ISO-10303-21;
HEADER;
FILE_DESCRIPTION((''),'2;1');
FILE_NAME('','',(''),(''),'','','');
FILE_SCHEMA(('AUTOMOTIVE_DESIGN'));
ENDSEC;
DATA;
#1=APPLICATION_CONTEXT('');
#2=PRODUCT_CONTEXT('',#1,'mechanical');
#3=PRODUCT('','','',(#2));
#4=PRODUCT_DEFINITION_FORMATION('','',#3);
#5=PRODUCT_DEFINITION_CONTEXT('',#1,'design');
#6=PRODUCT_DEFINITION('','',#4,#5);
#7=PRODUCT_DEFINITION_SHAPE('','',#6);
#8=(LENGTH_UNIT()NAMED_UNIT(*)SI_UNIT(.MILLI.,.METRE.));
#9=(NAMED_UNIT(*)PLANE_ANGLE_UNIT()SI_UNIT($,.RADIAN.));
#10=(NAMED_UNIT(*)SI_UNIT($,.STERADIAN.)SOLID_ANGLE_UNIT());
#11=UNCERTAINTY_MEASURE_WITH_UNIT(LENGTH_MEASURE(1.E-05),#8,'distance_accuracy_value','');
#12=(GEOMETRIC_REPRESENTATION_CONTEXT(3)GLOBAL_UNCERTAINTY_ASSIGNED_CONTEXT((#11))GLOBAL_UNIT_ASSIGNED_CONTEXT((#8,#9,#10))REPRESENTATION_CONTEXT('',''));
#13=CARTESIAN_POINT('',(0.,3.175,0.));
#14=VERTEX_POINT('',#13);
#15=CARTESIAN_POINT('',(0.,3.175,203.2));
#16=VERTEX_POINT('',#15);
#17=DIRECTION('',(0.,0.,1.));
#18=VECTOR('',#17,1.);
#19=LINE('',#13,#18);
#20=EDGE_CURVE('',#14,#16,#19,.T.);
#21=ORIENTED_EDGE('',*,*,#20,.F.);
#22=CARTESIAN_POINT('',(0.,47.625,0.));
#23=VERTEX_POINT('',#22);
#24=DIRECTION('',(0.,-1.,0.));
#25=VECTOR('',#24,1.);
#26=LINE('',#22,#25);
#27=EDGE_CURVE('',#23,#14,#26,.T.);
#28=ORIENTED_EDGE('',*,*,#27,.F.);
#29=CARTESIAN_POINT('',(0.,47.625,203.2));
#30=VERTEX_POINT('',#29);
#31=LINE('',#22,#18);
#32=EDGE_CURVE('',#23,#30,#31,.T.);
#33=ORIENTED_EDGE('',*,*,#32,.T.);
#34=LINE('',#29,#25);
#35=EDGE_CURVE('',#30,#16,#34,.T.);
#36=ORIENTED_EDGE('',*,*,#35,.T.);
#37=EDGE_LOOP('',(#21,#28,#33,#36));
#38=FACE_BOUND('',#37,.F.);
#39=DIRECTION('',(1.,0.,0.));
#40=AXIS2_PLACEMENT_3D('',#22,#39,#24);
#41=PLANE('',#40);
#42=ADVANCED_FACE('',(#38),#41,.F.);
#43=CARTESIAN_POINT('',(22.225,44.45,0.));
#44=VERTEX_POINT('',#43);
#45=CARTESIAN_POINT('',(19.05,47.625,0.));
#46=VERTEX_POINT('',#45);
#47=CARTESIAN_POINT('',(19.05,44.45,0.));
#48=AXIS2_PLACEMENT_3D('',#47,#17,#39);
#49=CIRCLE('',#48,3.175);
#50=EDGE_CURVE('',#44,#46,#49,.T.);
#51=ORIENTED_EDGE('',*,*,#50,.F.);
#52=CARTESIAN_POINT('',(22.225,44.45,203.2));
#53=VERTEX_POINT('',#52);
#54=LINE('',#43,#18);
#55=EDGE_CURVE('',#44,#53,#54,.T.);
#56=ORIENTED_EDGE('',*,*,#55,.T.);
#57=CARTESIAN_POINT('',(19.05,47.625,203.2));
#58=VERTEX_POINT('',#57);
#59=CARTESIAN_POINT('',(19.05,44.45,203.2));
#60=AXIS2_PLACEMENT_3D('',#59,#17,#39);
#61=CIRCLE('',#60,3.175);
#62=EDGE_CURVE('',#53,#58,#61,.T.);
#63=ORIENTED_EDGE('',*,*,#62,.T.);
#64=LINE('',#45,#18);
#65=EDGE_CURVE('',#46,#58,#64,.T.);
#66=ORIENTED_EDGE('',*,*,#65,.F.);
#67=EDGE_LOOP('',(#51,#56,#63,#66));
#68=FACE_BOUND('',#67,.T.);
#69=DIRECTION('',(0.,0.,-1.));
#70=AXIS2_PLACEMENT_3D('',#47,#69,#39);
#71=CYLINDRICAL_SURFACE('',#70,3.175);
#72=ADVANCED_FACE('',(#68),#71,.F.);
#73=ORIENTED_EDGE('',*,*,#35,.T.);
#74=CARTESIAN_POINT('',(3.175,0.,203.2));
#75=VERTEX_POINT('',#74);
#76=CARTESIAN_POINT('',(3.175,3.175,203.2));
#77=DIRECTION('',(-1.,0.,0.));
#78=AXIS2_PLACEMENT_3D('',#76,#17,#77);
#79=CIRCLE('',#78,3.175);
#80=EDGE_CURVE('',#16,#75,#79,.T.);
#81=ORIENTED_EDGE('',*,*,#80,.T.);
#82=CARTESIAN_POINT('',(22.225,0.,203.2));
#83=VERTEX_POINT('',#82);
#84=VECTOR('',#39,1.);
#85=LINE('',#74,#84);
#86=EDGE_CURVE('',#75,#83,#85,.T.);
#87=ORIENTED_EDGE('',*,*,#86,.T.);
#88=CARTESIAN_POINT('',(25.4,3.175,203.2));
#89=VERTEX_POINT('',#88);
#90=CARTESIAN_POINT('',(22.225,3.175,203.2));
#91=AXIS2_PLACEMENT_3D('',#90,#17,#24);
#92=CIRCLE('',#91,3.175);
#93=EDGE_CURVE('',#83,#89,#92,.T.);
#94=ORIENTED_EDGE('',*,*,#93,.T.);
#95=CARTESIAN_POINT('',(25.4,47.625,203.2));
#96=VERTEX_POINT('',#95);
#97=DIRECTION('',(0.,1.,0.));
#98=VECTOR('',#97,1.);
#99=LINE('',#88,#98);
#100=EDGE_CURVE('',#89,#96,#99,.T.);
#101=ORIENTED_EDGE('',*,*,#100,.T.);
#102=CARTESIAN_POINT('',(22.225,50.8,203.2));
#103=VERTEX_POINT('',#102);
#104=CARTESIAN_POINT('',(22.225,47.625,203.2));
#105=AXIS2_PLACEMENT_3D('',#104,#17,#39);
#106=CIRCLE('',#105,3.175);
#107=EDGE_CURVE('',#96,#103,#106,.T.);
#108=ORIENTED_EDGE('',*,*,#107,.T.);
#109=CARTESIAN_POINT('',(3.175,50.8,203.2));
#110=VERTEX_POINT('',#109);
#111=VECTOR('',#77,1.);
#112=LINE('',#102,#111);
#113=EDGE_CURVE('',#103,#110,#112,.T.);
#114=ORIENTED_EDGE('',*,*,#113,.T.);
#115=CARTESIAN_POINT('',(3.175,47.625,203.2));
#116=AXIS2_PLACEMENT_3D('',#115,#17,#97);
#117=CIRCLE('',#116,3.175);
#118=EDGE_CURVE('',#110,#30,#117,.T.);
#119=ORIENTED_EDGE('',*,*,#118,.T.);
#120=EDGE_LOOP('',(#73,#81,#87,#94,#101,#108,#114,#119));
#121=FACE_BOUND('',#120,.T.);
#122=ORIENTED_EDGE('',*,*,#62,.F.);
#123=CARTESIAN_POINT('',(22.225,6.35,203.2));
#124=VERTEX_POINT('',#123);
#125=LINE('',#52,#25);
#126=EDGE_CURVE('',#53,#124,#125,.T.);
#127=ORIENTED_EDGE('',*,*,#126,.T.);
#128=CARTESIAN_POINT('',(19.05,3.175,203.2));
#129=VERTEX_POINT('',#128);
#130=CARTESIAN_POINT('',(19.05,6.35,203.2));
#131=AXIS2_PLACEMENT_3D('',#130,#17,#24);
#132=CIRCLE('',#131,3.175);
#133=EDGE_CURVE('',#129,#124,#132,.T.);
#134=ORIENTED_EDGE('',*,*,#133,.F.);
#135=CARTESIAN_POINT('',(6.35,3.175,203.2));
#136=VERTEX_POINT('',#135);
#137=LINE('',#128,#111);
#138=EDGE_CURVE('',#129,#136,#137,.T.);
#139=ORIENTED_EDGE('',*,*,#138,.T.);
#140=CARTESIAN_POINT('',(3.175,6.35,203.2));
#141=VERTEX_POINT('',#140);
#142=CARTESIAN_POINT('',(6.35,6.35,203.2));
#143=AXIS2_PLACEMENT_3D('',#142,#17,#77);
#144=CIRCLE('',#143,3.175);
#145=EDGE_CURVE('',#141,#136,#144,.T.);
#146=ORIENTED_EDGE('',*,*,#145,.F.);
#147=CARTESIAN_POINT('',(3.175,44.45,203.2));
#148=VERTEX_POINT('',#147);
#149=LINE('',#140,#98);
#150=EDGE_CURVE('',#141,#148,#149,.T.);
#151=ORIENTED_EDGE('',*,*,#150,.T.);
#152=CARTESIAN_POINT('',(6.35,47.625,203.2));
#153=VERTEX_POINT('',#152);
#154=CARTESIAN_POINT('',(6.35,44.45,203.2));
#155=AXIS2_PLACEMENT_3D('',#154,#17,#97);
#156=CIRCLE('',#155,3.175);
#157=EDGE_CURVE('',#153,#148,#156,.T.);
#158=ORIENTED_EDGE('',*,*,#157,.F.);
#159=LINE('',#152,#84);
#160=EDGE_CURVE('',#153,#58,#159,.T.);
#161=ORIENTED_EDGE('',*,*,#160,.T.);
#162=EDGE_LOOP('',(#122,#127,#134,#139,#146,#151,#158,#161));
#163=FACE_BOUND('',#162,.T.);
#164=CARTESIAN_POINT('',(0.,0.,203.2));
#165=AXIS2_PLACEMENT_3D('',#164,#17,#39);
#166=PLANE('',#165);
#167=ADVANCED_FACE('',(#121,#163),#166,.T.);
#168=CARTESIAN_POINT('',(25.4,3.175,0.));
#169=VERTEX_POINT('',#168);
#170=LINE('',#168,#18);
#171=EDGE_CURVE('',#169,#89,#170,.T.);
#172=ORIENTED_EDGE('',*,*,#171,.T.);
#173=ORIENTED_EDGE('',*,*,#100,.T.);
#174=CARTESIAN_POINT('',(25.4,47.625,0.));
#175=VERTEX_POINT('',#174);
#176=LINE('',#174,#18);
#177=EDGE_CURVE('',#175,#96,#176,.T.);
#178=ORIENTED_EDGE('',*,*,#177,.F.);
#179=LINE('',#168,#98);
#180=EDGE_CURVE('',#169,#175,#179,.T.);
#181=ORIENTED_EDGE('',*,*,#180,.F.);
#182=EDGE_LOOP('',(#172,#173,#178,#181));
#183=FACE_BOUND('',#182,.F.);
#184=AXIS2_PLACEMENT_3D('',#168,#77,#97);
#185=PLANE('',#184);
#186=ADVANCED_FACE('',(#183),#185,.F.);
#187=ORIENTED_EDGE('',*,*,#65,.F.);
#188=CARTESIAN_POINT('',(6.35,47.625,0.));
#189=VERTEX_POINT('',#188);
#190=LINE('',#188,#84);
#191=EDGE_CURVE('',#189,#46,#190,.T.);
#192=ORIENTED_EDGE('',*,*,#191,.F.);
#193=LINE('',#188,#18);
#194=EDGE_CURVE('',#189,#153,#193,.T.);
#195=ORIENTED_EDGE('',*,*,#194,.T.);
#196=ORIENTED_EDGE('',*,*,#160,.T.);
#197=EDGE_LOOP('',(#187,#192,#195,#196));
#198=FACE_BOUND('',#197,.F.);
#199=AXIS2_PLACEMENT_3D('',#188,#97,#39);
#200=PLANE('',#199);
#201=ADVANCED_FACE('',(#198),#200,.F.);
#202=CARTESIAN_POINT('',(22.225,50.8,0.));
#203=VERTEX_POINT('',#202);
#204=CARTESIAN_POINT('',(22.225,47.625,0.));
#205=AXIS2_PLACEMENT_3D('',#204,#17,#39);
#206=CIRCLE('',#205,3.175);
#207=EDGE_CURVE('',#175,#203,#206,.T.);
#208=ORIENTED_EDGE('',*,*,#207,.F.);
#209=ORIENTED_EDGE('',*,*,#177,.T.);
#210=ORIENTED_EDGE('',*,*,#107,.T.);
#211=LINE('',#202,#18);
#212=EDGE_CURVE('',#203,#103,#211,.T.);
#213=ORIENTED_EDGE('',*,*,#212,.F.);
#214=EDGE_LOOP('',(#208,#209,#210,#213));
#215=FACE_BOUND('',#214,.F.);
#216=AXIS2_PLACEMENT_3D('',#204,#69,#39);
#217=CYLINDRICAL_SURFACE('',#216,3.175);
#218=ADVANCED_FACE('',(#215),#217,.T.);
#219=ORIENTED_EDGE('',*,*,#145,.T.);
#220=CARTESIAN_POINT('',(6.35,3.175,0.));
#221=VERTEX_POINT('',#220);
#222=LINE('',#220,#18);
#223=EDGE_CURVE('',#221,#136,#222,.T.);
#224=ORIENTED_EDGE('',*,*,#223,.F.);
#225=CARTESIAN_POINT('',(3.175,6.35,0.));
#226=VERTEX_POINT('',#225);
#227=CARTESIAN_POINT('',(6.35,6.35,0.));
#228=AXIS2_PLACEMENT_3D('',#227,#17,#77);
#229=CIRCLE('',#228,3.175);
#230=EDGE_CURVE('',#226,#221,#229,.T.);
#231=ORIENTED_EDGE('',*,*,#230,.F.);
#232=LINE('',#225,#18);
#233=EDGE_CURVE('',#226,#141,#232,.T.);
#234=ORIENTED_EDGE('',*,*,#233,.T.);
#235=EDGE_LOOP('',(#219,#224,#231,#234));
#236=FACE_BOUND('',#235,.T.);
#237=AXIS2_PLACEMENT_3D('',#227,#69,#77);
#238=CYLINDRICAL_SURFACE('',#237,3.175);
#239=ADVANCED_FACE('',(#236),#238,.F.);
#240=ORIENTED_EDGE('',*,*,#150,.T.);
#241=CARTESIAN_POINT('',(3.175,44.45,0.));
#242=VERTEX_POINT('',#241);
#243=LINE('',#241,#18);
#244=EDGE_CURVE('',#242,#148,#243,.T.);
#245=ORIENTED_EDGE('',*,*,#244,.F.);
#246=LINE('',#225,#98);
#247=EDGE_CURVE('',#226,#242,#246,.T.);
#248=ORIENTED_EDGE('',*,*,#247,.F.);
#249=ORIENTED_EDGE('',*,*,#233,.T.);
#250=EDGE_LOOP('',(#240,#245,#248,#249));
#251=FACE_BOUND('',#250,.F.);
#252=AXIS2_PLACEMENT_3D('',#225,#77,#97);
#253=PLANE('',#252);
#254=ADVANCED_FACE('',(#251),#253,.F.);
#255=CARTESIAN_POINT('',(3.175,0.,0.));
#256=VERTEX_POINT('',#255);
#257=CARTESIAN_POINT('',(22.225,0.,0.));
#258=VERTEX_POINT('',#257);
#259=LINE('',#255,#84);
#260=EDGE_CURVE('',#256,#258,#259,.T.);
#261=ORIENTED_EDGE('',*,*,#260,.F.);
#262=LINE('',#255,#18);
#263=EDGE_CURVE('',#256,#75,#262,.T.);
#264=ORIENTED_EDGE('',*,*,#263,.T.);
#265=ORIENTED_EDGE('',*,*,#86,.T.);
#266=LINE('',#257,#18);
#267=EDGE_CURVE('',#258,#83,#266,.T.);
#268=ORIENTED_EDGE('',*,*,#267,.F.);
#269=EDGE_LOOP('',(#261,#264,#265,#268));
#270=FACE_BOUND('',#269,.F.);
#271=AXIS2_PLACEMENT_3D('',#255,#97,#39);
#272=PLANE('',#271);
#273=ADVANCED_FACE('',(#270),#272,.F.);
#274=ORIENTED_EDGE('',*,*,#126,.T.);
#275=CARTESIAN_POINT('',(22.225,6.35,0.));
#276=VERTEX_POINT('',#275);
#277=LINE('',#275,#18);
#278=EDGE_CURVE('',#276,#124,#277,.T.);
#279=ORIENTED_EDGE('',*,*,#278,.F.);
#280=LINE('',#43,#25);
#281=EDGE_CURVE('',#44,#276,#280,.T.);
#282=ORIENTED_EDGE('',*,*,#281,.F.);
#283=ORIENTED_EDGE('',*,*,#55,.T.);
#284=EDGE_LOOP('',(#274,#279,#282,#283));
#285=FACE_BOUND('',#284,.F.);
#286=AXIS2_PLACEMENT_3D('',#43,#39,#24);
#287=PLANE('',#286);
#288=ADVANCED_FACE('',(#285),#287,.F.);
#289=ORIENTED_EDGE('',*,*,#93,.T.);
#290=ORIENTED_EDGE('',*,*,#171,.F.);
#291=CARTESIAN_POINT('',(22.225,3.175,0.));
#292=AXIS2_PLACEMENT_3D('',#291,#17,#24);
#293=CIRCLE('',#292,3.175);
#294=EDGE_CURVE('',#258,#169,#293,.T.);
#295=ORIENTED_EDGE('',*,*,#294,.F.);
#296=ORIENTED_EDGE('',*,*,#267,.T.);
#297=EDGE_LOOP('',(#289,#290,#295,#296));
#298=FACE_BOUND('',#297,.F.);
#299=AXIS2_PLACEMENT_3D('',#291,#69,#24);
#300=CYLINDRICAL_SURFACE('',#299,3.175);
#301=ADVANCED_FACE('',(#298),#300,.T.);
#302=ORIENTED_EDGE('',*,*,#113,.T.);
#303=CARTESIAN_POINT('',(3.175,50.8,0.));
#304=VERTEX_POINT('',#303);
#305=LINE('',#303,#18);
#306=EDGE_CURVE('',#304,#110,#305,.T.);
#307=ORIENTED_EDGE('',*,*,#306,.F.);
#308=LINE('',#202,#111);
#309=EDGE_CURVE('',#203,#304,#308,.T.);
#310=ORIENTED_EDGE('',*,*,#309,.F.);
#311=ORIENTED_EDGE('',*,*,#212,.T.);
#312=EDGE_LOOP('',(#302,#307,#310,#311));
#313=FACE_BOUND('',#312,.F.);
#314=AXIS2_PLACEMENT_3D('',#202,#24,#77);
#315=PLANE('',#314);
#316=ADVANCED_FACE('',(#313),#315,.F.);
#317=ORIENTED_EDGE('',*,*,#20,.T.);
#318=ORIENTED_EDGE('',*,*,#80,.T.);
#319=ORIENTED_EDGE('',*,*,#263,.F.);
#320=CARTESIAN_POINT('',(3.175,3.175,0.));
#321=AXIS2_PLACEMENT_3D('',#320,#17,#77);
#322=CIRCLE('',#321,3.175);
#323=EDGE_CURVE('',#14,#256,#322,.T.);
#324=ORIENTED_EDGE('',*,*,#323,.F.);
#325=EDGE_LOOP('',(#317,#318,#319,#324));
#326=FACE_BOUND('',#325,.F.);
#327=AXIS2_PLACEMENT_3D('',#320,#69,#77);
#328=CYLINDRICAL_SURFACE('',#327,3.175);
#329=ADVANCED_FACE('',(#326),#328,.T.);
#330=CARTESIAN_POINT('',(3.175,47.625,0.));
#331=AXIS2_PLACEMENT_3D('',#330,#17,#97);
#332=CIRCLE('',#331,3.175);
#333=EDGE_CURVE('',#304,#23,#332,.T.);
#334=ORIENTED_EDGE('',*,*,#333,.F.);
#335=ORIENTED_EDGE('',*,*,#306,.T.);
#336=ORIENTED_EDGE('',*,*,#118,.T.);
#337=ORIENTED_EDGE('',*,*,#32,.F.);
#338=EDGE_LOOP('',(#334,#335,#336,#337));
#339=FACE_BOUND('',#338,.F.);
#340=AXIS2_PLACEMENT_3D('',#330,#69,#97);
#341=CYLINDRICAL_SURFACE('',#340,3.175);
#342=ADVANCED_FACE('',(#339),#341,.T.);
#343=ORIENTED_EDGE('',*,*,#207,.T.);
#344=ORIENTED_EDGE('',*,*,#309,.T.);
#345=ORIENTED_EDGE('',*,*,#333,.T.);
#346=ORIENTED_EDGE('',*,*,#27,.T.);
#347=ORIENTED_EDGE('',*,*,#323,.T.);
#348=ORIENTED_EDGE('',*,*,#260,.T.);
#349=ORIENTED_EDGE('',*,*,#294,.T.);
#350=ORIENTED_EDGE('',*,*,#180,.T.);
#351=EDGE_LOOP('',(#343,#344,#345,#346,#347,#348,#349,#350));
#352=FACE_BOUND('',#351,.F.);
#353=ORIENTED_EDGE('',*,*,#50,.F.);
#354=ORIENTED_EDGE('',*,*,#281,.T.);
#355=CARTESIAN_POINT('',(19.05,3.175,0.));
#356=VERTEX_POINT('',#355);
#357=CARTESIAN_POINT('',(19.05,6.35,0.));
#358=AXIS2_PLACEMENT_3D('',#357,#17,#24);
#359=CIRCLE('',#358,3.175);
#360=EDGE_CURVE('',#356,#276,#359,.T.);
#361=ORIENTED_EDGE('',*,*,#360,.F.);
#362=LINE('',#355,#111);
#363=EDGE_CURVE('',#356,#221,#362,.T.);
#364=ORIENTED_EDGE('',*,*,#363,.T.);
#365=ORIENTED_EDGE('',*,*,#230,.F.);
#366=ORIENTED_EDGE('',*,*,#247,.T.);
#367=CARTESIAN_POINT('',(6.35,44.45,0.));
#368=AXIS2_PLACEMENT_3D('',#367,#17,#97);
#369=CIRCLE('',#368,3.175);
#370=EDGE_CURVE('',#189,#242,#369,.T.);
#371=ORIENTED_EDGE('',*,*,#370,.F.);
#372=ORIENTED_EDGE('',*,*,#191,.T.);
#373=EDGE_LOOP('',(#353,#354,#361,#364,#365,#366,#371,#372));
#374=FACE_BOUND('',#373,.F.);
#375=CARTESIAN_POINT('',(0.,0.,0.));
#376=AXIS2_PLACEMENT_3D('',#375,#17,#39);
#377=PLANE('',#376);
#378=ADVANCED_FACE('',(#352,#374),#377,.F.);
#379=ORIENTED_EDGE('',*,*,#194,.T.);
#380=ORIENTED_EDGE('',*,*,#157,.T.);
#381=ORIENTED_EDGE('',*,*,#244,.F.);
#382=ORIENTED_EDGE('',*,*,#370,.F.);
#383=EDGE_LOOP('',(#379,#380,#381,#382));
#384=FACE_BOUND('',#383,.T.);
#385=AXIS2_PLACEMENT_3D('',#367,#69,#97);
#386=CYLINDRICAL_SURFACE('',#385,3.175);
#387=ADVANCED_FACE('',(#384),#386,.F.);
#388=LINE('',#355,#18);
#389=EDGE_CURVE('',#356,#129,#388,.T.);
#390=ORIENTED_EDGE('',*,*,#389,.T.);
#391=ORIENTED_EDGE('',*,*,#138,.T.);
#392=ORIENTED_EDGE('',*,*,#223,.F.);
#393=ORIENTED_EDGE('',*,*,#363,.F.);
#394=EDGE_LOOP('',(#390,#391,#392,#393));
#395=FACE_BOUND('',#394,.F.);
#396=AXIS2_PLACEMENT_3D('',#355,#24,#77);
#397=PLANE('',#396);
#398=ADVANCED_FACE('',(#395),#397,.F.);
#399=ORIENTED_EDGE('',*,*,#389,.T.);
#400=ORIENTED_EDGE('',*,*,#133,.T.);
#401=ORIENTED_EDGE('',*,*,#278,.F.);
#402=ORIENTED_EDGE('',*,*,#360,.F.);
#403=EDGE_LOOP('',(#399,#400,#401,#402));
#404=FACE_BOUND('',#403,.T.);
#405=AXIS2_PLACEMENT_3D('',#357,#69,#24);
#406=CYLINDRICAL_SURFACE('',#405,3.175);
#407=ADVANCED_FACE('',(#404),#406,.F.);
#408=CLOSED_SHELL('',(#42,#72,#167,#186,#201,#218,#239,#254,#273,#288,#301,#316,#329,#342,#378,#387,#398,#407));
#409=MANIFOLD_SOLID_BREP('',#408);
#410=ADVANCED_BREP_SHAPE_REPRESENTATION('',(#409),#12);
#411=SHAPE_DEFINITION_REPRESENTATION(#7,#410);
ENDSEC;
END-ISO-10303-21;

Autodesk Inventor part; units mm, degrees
ref_plane "YZ Plane" through (0, 0, 0) normal (1, 0, 0) x (0, 1, 0)
ref_plane "XZ Plane" through (0, 0, 0) normal (0, 1, 0) x (-1, 0, 0)
ref_plane "XY Plane" through (0, 0, 0) normal (0, 0, 1) x (1, 0, 0)
sketch "Sketch1" plane through (0, 0, 0) normal (0, 0, 1) x (1, 0, 0)
  line L0 (3.175, 0) -> (22.225, 0)
  line L1 (25.4, 3.175) -> (25.4, 47.625)
  line L2 (22.225, 50.8) -> (3.175, 50.8)
  line L3 (0, 47.625) -> (0, 3.175)
  arc A0 (3.175, 50.8) -> (0, 47.625) centre (3.175, 47.625) ccw
  arc A1 (25.4, 47.625) -> (22.225, 50.8) centre (22.225, 47.625) ccw
  arc A2 (22.225, 0) -> (25.4, 3.175) centre (22.225, 3.175) ccw
  arc A3 (0, 3.175) -> (3.175, 0) centre (3.175, 3.175) ccw
  line L4 (6.35, 47.625) -> (19.05, 47.625)
  line L5 (22.225, 44.45) -> (22.225, 6.35)
  line L6 (19.05, 3.175) -> (6.35, 3.175)
  line L7 (3.175, 6.35) -> (3.175, 44.45)
  arc A4 (6.35, 47.625) -> (3.175, 44.45) centre (6.35, 44.45) ccw
  arc A5 (22.225, 44.45) -> (19.05, 47.625) centre (19.05, 44.45) ccw
  arc A6 (3.175, 6.35) -> (6.35, 3.175) centre (6.35, 6.35) ccw
  arc A7 (19.05, 3.175) -> (22.225, 6.35) centre (19.05, 6.35) ccw
  point P0 (0, 0)
  point P1 (25.4, 0)
  point P2 (0, 50.8)
  dimension "d0" = 50.8
  dimension "d1" = 25.4
  dimension "d2" = 3.175
  dimension "d3" = 3.175
  dimension "d4" = 3.175
  dimension "d5" = 3.175
  dimension "d6" = 3.175
  dimension "d7" = 3.175
  dimension "d8" = 3.175
  dimension "d9" = 3.175
  dimension "d10" = 3.175
extrude "Extrusion1" add sketch "Sketch1" along normal blind 203.2
properties part number "O channel 8 inch"
